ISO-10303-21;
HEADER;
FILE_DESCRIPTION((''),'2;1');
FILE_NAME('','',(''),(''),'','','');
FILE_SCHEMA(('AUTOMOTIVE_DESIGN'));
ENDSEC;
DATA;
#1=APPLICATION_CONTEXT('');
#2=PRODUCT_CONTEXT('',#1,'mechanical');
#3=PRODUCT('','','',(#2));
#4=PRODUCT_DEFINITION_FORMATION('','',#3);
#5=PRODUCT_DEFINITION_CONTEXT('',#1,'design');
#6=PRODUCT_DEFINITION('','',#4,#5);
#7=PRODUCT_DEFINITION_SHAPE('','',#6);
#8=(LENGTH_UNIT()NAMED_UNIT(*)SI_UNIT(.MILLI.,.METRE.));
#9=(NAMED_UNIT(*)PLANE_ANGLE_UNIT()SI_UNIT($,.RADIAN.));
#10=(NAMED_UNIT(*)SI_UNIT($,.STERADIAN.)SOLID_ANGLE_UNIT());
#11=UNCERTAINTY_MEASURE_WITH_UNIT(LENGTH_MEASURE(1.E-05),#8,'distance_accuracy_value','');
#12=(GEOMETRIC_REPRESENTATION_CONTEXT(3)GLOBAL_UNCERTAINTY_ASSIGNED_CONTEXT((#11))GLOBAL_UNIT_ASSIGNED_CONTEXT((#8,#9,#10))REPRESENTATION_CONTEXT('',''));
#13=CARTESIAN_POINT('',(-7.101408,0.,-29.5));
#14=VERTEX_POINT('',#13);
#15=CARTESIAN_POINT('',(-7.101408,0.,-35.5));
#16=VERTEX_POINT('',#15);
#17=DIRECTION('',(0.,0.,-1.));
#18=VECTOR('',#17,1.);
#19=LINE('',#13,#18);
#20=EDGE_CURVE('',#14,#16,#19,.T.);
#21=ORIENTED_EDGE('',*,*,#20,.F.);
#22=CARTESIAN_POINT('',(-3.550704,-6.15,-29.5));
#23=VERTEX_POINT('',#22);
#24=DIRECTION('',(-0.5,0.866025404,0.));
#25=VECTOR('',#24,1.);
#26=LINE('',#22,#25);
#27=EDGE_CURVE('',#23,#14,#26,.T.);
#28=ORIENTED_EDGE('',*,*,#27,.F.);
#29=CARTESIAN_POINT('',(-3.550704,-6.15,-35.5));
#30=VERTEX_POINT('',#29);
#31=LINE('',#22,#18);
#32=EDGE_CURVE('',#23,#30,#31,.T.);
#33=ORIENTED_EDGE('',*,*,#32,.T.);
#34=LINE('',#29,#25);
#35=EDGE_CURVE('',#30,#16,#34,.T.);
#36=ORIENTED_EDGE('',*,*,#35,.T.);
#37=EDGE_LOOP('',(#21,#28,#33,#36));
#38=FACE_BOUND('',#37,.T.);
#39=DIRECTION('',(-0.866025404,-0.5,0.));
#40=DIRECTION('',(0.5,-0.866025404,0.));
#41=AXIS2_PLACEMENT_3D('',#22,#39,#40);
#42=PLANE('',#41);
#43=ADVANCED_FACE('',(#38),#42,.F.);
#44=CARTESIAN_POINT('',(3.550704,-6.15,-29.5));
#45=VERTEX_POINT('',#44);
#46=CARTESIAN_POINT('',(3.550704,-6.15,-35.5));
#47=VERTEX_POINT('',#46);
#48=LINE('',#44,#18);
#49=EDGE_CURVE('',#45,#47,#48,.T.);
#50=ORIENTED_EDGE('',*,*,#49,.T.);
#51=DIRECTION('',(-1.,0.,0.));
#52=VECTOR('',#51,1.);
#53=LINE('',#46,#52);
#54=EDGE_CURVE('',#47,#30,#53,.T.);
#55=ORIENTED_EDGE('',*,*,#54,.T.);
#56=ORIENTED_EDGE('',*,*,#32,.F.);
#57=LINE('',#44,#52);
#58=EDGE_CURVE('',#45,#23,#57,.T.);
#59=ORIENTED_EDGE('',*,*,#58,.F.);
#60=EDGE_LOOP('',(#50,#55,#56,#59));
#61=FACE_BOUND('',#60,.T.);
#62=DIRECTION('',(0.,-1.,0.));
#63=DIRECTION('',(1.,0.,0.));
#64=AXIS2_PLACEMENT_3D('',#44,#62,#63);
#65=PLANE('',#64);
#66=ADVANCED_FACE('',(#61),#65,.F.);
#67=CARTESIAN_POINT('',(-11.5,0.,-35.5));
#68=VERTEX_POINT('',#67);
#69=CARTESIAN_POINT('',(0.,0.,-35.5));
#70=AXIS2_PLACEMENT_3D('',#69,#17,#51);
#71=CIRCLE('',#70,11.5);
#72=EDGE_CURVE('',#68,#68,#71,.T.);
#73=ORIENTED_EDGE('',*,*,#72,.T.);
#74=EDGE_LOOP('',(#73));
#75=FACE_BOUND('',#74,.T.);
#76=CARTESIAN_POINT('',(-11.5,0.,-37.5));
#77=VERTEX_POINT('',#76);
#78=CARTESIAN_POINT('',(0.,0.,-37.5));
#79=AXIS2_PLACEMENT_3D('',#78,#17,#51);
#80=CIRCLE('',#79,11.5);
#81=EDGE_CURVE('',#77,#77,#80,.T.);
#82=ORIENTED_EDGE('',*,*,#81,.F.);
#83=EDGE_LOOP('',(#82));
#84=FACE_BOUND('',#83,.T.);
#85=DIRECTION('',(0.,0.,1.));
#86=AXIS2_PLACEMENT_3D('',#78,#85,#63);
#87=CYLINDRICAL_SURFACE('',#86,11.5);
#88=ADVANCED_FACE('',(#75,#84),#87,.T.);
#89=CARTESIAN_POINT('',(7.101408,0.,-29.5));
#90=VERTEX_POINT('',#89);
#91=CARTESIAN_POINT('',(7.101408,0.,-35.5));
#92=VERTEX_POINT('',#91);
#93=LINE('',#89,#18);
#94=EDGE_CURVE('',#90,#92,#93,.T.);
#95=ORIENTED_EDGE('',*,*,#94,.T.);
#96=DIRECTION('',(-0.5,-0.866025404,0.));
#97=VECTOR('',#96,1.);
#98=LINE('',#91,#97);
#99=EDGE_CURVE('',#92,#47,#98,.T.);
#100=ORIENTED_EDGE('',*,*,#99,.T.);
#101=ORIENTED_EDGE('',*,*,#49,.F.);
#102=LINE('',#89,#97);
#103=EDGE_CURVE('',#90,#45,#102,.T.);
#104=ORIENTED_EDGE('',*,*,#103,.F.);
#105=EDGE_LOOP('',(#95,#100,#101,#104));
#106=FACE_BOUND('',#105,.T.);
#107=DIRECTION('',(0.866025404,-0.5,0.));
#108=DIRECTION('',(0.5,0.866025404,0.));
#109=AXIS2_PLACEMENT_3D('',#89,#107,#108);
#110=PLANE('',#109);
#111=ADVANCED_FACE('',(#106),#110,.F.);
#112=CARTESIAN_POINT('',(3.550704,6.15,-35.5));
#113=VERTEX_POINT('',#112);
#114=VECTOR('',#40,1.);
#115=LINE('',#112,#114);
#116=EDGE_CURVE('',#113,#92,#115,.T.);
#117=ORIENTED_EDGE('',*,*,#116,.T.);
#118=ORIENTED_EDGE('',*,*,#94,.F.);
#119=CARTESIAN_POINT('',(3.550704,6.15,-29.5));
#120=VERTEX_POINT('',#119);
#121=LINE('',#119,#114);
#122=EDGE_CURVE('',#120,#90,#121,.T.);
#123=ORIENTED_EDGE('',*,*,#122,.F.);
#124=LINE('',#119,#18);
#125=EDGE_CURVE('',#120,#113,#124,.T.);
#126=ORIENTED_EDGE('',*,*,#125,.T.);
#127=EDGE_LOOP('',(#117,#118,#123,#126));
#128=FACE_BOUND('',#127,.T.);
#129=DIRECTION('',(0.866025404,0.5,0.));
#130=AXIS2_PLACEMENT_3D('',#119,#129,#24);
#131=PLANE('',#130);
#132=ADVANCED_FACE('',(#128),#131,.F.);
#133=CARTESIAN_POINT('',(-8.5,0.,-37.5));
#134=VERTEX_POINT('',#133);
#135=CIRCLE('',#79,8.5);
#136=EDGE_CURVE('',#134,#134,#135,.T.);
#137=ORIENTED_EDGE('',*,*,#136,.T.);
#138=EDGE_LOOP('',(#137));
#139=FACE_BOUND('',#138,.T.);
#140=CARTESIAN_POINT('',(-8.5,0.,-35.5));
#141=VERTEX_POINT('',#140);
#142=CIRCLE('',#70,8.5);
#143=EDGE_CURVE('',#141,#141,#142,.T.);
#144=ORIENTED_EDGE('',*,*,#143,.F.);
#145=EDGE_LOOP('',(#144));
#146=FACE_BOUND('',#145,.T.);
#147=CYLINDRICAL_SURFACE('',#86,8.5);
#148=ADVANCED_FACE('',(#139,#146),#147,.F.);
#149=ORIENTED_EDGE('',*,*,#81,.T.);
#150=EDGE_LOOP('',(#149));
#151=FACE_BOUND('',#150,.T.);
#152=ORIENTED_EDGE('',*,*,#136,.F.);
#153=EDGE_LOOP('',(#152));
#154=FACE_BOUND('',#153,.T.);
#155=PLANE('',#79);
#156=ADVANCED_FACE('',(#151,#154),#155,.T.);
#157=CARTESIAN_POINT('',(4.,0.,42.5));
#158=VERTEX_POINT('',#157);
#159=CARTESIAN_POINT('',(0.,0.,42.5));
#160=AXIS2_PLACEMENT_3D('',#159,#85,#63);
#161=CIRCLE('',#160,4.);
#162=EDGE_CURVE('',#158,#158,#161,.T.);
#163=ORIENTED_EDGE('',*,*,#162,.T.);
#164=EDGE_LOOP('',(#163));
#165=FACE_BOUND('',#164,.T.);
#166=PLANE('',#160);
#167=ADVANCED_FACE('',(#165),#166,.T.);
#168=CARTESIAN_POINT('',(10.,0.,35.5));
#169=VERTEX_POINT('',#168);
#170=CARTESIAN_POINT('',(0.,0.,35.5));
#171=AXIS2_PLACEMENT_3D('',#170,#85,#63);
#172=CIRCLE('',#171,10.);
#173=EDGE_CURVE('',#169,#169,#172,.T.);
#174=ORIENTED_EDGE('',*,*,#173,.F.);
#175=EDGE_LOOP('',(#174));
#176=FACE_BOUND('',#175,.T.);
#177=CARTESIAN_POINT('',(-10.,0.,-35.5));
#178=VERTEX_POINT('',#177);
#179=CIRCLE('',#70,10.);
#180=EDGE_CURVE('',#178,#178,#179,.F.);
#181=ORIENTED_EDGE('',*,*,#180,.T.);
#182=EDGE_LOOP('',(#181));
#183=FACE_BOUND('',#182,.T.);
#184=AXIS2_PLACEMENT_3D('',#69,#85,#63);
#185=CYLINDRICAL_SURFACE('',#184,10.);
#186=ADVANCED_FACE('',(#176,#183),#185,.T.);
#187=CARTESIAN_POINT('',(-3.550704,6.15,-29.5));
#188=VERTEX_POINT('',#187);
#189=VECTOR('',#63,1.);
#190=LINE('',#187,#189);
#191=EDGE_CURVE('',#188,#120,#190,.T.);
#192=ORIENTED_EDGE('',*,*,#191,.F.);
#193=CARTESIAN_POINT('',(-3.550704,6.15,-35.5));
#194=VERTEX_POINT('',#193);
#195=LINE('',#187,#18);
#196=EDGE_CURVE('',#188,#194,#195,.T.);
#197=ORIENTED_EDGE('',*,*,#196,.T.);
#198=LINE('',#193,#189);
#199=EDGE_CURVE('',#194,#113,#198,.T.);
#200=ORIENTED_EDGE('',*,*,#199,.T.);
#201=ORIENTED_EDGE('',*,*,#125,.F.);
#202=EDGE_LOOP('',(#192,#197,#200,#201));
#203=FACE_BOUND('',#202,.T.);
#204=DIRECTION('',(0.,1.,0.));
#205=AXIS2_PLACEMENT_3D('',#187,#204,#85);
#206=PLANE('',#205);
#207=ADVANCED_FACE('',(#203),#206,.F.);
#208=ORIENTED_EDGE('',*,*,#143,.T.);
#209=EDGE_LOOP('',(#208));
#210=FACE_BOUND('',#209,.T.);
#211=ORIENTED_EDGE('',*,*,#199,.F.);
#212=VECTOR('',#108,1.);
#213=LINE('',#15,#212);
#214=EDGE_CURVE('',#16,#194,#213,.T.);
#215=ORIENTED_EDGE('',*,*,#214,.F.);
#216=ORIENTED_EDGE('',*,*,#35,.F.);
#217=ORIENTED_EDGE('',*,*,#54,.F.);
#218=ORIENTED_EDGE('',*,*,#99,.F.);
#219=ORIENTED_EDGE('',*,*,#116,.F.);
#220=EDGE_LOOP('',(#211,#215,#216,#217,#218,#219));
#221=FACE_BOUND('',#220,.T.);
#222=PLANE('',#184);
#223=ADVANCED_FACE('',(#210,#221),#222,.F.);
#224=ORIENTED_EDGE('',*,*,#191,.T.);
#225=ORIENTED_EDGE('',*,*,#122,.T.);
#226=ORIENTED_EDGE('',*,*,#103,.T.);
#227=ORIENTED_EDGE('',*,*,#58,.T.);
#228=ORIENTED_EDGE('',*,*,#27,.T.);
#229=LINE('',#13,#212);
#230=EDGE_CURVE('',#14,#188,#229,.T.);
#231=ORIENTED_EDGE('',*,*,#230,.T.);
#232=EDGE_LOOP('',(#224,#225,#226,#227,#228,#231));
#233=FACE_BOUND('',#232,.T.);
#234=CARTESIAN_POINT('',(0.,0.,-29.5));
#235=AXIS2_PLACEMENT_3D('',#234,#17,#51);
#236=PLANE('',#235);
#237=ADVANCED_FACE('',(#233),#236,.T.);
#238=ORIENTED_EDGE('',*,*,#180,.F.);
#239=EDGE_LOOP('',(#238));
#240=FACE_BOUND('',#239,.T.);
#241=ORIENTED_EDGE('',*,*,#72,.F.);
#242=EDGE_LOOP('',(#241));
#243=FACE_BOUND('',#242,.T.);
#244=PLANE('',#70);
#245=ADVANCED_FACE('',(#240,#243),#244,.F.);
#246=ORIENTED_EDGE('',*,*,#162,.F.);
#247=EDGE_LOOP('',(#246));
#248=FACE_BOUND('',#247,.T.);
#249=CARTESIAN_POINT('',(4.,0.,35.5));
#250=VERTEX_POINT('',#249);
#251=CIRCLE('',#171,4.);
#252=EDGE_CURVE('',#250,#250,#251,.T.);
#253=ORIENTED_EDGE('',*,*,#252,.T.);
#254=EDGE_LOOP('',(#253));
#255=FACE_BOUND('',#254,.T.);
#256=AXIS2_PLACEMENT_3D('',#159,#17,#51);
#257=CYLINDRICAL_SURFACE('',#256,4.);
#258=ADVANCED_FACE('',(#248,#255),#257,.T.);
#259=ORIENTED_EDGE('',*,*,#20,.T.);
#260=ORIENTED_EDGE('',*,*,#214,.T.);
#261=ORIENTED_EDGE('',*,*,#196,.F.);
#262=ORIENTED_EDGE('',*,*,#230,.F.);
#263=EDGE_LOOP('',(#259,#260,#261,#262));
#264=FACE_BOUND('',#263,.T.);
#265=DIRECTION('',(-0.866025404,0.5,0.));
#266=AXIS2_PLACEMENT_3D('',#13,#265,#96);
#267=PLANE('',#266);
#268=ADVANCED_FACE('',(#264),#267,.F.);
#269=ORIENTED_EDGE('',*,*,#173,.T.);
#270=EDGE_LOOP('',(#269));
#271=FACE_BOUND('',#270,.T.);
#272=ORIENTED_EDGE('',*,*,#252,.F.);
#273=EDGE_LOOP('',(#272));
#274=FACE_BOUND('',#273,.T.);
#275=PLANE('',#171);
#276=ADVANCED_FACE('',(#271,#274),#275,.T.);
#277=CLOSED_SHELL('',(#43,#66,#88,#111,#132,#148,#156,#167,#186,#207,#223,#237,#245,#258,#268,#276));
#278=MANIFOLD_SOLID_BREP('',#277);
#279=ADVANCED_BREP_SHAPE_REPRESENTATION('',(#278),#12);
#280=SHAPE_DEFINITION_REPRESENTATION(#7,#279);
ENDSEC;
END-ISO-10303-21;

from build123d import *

# Parameters (mm, degrees)
BOSS_EXTRUDE1_DEPTH      = 35.5
BOSS_EXTRUDE1_DEPTH_BACK = 35.5
SKETCH1_R                = 10
CUT_EXTRUDE1_DEPTH       = 6
SKETCH3_R                = 4
BOSS_EXTRUDE2_DEPTH      = 7
SKETCH4_R                = 11.5
SKETCH4_R_2              = 8.5
BOSS_EXTRUDE3_DEPTH      = 2


with BuildPart() as part:
    # Sketch1 → Boss-Extrude1 (new, two sides: drawn at the far end of the back side and taken through both)
    with BuildSketch(Plane.XY.offset(-BOSS_EXTRUDE1_DEPTH_BACK)):
        Circle(SKETCH1_R)
    extrude(amount=BOSS_EXTRUDE1_DEPTH + BOSS_EXTRUDE1_DEPTH_BACK)

    # Sketch2 → Cut-Extrude1 (cut)
    with BuildSketch(Plane(origin=(0, 0, -35.5), x_dir=(-1, 0, 0), z_dir=(0, 0, -1))):
        Polygon((7.101408311, 0), (3.550704156, 6.15), (-3.550704156, 6.15), (-7.101408311, 0), (-3.550704156, -6.15), (3.550704156, -6.15), align=None)
    extrude(amount=-CUT_EXTRUDE1_DEPTH, mode=Mode.SUBTRACT)

    # Sketch3 → Boss-Extrude2 (add)
    with BuildSketch(Plane.XY.offset(35.5)):
        Circle(SKETCH3_R)
    extrude(amount=BOSS_EXTRUDE2_DEPTH)

    # Sketch4 → Boss-Extrude3 (add)
    with BuildSketch(Plane(origin=(0, 0, -35.5), x_dir=(-1, 0, 0), z_dir=(0, 0, -1))):
        Circle(SKETCH4_R)
        Circle(SKETCH4_R_2, mode=Mode.SUBTRACT)
    extrude(amount=BOSS_EXTRUDE3_DEPTH)


solid = part.part
